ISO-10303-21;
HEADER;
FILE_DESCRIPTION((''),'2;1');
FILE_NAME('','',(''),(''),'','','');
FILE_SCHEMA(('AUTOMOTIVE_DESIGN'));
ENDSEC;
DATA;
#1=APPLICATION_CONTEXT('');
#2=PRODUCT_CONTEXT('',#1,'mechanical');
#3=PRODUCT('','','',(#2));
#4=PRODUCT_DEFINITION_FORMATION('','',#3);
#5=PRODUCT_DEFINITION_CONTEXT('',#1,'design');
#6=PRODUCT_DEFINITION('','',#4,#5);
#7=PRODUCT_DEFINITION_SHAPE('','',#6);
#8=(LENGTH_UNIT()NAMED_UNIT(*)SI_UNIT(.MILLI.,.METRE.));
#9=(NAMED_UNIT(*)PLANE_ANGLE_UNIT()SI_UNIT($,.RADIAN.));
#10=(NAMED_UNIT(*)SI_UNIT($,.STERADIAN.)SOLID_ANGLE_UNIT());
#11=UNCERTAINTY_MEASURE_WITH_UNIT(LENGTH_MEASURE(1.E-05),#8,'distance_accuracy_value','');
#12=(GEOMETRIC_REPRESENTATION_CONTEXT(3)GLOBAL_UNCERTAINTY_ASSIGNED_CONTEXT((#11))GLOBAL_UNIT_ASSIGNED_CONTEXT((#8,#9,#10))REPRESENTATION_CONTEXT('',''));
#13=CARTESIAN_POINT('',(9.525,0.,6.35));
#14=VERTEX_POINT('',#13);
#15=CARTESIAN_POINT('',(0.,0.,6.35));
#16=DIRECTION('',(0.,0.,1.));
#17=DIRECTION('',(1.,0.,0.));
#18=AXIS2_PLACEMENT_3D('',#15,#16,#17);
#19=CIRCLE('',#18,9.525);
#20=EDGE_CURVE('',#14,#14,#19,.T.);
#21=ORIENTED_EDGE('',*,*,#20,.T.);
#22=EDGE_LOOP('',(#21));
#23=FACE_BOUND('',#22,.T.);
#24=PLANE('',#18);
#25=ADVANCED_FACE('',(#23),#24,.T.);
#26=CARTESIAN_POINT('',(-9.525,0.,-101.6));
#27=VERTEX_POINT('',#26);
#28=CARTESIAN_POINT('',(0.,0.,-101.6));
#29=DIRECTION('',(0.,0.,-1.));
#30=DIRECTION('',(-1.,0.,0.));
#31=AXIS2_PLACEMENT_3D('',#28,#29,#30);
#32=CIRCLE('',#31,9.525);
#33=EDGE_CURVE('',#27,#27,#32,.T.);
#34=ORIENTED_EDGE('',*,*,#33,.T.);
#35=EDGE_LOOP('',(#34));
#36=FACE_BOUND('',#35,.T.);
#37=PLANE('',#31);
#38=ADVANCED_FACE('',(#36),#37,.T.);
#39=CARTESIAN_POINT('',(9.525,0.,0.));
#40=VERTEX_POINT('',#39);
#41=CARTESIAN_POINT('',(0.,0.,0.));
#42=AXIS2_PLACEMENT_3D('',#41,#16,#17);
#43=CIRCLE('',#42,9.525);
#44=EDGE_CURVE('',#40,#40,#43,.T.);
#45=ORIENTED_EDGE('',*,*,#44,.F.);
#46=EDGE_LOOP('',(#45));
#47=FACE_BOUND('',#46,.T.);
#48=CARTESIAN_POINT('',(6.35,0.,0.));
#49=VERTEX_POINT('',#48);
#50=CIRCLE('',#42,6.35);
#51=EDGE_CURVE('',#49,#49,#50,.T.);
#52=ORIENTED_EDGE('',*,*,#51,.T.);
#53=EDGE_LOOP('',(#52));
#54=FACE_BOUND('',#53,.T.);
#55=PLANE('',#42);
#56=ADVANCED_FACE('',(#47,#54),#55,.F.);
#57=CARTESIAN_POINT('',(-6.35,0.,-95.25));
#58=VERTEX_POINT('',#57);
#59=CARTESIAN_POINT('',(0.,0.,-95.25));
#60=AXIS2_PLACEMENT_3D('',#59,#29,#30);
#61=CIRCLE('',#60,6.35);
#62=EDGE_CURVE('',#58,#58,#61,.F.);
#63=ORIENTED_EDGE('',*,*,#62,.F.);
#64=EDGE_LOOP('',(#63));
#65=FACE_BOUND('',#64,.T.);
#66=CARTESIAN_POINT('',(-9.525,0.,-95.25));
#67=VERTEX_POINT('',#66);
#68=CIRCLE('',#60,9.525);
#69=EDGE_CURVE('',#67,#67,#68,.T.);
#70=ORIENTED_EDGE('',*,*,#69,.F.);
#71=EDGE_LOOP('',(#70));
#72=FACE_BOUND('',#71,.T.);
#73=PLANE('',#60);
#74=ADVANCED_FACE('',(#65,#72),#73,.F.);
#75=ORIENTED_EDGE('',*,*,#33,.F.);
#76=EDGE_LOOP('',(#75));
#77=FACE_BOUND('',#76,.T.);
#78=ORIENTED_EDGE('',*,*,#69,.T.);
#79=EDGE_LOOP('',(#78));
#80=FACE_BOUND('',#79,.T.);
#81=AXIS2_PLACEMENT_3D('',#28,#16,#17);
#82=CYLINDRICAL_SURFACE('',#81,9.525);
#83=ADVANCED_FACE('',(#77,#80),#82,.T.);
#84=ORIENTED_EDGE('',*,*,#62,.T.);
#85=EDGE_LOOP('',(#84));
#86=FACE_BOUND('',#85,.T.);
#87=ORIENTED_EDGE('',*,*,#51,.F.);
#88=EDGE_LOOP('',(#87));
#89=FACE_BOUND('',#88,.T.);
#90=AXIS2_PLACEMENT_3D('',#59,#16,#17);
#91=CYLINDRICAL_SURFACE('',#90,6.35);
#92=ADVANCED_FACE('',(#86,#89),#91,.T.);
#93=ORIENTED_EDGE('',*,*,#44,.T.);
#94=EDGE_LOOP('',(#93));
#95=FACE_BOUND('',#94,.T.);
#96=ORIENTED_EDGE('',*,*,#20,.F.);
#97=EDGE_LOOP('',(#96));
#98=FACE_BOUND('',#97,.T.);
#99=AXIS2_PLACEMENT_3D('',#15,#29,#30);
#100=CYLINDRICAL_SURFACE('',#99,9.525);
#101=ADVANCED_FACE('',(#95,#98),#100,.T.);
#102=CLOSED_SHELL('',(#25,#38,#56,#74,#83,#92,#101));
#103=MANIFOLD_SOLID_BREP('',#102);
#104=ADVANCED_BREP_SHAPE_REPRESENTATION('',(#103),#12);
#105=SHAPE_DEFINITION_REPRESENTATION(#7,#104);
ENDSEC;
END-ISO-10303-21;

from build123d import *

# Parameters (mm, degrees)
SKETCH1_R           = 6.35
BOSS_EXTRUDE1_DEPTH = 95.25
SKETCH2_R           = 9.525
BOSS_EXTRUDE2_DEPTH = 6.35
SKETCH3_R           = 9.525
BOSS_EXTRUDE3_DEPTH = 6.35


with BuildPart() as part:
    # Sketch1 → Boss-Extrude1 (new body)
    with BuildSketch(Plane.XY):
        Circle(SKETCH1_R)
    extrude(amount=-BOSS_EXTRUDE1_DEPTH)

    # Sketch2 → Boss-Extrude2 (add)
    with BuildSketch(Plane.XY):
        Circle(SKETCH2_R)
    extrude(amount=BOSS_EXTRUDE2_DEPTH)

    # Sketch3 → Boss-Extrude3 (add)
    with BuildSketch(Plane(origin=(0, 0, -95.25), x_dir=(-1, 0, 0), z_dir=(0, 0, -1))):
        Circle(SKETCH3_R)
    extrude(amount=BOSS_EXTRUDE3_DEPTH)


solid = part.part
